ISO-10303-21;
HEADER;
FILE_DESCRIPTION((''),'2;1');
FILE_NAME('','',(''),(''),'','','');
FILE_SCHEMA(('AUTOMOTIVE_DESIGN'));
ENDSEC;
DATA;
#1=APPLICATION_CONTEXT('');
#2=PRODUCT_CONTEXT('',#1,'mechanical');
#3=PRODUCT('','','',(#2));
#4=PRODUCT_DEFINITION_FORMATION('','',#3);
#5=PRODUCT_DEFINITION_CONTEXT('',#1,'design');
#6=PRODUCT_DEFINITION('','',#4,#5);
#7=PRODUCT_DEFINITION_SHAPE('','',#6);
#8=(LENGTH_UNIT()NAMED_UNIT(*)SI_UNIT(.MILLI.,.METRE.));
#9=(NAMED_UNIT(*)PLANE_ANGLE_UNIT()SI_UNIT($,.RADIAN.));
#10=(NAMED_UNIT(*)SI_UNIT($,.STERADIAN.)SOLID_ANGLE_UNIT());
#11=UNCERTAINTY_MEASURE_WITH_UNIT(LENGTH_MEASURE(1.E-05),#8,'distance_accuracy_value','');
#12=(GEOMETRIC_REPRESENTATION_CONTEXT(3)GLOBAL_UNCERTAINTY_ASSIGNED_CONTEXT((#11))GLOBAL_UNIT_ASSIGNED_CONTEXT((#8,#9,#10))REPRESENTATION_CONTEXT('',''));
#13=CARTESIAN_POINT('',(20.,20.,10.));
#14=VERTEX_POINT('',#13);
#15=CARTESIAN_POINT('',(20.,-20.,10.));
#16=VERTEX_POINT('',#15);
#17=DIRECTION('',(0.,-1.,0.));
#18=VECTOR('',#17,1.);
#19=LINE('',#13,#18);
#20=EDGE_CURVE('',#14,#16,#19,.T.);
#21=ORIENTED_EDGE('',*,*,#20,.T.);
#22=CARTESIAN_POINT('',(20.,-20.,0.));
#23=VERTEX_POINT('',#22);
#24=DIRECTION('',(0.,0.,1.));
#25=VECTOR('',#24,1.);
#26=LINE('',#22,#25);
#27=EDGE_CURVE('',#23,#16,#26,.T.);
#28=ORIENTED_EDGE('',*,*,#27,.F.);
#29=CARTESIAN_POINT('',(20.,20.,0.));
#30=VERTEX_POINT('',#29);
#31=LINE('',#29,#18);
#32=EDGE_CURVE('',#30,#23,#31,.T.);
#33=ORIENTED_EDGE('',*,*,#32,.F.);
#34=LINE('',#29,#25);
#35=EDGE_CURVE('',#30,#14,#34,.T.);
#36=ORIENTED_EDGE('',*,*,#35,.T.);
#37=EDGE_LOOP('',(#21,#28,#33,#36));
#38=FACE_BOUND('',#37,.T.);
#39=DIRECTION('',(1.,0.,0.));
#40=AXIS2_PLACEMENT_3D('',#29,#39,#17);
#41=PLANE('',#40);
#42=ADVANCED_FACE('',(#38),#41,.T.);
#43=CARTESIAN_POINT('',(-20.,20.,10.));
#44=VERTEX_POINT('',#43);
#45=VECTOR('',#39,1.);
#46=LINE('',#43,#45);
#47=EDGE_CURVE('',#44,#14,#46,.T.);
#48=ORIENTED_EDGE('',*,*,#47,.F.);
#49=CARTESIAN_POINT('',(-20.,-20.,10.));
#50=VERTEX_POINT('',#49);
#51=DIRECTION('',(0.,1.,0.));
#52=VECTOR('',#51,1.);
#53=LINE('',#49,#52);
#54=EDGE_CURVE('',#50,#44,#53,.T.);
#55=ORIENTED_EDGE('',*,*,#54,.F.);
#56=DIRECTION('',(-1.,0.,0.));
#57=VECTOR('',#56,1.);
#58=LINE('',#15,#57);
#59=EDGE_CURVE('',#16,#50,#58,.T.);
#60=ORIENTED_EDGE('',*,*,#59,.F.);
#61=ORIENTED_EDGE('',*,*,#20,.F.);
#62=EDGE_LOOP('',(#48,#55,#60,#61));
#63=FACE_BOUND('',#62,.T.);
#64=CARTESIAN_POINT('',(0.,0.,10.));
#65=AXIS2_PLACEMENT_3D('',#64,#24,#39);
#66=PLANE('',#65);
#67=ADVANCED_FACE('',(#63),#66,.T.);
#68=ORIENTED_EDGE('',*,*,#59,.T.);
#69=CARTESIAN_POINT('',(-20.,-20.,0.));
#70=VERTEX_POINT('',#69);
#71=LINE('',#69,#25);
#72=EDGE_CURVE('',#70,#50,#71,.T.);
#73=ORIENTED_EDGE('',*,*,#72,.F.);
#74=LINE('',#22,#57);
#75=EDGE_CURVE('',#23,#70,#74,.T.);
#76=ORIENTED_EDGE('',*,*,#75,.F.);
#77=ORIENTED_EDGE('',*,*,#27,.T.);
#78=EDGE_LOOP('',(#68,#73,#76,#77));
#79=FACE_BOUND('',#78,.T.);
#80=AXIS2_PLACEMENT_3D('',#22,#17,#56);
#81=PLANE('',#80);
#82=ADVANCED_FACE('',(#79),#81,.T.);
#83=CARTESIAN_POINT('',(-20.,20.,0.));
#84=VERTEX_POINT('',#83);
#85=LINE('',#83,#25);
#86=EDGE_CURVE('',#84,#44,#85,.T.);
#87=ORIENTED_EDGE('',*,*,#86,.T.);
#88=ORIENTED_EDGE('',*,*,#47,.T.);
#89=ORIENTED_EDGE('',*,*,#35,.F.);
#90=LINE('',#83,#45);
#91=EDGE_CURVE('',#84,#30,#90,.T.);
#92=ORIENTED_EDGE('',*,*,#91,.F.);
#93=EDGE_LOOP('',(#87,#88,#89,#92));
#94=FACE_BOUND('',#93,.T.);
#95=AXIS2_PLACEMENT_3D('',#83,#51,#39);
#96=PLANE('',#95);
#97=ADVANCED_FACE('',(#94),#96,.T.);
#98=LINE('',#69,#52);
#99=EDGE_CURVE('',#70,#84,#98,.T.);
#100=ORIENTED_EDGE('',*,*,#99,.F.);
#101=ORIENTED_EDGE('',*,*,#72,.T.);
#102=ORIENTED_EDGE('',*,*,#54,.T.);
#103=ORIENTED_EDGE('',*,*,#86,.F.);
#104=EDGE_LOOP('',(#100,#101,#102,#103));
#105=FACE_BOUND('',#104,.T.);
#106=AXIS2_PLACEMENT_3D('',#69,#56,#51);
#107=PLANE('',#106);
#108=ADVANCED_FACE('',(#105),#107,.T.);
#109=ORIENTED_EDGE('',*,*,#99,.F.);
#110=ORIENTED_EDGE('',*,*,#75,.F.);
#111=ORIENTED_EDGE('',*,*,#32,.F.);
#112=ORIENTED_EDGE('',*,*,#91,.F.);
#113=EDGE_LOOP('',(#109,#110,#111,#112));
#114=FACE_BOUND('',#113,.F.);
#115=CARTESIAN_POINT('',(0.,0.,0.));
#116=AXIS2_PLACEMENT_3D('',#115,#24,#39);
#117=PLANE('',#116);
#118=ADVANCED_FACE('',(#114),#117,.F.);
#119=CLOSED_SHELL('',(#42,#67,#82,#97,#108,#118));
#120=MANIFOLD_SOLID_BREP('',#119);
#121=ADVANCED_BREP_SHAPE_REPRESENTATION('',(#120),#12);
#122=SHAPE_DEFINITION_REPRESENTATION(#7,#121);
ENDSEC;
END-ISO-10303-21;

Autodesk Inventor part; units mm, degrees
ref_plane "YZ Plane" through (0, 0, 0) normal (1, 0, 0) x (0, 1, 0)
ref_plane "XZ Plane" through (0, 0, 0) normal (0, 1, 0) x (-1, 0, 0)
ref_plane "XY Plane" through (0, 0, 0) normal (0, 0, 1) x (1, 0, 0)
sketch "Sketch1" plane through (0, 0, 0) normal (0, 0, 1) x (1, 0, 0)
  line L0 (-20, 20) -> (20, 20)
  line L1 (20, 20) -> (20, -20)
  line L2 (20, -20) -> (-20, -20)
  line L3 (-20, -20) -> (-20, 20)
  point P0 (0, 0)
  point P1 (20, 0)
  point P2 (0, 20)
  dimension "d0" = 40
extrude "Extrusion1" add sketch "Sketch1" along normal blind 10
properties part number "Mould"
